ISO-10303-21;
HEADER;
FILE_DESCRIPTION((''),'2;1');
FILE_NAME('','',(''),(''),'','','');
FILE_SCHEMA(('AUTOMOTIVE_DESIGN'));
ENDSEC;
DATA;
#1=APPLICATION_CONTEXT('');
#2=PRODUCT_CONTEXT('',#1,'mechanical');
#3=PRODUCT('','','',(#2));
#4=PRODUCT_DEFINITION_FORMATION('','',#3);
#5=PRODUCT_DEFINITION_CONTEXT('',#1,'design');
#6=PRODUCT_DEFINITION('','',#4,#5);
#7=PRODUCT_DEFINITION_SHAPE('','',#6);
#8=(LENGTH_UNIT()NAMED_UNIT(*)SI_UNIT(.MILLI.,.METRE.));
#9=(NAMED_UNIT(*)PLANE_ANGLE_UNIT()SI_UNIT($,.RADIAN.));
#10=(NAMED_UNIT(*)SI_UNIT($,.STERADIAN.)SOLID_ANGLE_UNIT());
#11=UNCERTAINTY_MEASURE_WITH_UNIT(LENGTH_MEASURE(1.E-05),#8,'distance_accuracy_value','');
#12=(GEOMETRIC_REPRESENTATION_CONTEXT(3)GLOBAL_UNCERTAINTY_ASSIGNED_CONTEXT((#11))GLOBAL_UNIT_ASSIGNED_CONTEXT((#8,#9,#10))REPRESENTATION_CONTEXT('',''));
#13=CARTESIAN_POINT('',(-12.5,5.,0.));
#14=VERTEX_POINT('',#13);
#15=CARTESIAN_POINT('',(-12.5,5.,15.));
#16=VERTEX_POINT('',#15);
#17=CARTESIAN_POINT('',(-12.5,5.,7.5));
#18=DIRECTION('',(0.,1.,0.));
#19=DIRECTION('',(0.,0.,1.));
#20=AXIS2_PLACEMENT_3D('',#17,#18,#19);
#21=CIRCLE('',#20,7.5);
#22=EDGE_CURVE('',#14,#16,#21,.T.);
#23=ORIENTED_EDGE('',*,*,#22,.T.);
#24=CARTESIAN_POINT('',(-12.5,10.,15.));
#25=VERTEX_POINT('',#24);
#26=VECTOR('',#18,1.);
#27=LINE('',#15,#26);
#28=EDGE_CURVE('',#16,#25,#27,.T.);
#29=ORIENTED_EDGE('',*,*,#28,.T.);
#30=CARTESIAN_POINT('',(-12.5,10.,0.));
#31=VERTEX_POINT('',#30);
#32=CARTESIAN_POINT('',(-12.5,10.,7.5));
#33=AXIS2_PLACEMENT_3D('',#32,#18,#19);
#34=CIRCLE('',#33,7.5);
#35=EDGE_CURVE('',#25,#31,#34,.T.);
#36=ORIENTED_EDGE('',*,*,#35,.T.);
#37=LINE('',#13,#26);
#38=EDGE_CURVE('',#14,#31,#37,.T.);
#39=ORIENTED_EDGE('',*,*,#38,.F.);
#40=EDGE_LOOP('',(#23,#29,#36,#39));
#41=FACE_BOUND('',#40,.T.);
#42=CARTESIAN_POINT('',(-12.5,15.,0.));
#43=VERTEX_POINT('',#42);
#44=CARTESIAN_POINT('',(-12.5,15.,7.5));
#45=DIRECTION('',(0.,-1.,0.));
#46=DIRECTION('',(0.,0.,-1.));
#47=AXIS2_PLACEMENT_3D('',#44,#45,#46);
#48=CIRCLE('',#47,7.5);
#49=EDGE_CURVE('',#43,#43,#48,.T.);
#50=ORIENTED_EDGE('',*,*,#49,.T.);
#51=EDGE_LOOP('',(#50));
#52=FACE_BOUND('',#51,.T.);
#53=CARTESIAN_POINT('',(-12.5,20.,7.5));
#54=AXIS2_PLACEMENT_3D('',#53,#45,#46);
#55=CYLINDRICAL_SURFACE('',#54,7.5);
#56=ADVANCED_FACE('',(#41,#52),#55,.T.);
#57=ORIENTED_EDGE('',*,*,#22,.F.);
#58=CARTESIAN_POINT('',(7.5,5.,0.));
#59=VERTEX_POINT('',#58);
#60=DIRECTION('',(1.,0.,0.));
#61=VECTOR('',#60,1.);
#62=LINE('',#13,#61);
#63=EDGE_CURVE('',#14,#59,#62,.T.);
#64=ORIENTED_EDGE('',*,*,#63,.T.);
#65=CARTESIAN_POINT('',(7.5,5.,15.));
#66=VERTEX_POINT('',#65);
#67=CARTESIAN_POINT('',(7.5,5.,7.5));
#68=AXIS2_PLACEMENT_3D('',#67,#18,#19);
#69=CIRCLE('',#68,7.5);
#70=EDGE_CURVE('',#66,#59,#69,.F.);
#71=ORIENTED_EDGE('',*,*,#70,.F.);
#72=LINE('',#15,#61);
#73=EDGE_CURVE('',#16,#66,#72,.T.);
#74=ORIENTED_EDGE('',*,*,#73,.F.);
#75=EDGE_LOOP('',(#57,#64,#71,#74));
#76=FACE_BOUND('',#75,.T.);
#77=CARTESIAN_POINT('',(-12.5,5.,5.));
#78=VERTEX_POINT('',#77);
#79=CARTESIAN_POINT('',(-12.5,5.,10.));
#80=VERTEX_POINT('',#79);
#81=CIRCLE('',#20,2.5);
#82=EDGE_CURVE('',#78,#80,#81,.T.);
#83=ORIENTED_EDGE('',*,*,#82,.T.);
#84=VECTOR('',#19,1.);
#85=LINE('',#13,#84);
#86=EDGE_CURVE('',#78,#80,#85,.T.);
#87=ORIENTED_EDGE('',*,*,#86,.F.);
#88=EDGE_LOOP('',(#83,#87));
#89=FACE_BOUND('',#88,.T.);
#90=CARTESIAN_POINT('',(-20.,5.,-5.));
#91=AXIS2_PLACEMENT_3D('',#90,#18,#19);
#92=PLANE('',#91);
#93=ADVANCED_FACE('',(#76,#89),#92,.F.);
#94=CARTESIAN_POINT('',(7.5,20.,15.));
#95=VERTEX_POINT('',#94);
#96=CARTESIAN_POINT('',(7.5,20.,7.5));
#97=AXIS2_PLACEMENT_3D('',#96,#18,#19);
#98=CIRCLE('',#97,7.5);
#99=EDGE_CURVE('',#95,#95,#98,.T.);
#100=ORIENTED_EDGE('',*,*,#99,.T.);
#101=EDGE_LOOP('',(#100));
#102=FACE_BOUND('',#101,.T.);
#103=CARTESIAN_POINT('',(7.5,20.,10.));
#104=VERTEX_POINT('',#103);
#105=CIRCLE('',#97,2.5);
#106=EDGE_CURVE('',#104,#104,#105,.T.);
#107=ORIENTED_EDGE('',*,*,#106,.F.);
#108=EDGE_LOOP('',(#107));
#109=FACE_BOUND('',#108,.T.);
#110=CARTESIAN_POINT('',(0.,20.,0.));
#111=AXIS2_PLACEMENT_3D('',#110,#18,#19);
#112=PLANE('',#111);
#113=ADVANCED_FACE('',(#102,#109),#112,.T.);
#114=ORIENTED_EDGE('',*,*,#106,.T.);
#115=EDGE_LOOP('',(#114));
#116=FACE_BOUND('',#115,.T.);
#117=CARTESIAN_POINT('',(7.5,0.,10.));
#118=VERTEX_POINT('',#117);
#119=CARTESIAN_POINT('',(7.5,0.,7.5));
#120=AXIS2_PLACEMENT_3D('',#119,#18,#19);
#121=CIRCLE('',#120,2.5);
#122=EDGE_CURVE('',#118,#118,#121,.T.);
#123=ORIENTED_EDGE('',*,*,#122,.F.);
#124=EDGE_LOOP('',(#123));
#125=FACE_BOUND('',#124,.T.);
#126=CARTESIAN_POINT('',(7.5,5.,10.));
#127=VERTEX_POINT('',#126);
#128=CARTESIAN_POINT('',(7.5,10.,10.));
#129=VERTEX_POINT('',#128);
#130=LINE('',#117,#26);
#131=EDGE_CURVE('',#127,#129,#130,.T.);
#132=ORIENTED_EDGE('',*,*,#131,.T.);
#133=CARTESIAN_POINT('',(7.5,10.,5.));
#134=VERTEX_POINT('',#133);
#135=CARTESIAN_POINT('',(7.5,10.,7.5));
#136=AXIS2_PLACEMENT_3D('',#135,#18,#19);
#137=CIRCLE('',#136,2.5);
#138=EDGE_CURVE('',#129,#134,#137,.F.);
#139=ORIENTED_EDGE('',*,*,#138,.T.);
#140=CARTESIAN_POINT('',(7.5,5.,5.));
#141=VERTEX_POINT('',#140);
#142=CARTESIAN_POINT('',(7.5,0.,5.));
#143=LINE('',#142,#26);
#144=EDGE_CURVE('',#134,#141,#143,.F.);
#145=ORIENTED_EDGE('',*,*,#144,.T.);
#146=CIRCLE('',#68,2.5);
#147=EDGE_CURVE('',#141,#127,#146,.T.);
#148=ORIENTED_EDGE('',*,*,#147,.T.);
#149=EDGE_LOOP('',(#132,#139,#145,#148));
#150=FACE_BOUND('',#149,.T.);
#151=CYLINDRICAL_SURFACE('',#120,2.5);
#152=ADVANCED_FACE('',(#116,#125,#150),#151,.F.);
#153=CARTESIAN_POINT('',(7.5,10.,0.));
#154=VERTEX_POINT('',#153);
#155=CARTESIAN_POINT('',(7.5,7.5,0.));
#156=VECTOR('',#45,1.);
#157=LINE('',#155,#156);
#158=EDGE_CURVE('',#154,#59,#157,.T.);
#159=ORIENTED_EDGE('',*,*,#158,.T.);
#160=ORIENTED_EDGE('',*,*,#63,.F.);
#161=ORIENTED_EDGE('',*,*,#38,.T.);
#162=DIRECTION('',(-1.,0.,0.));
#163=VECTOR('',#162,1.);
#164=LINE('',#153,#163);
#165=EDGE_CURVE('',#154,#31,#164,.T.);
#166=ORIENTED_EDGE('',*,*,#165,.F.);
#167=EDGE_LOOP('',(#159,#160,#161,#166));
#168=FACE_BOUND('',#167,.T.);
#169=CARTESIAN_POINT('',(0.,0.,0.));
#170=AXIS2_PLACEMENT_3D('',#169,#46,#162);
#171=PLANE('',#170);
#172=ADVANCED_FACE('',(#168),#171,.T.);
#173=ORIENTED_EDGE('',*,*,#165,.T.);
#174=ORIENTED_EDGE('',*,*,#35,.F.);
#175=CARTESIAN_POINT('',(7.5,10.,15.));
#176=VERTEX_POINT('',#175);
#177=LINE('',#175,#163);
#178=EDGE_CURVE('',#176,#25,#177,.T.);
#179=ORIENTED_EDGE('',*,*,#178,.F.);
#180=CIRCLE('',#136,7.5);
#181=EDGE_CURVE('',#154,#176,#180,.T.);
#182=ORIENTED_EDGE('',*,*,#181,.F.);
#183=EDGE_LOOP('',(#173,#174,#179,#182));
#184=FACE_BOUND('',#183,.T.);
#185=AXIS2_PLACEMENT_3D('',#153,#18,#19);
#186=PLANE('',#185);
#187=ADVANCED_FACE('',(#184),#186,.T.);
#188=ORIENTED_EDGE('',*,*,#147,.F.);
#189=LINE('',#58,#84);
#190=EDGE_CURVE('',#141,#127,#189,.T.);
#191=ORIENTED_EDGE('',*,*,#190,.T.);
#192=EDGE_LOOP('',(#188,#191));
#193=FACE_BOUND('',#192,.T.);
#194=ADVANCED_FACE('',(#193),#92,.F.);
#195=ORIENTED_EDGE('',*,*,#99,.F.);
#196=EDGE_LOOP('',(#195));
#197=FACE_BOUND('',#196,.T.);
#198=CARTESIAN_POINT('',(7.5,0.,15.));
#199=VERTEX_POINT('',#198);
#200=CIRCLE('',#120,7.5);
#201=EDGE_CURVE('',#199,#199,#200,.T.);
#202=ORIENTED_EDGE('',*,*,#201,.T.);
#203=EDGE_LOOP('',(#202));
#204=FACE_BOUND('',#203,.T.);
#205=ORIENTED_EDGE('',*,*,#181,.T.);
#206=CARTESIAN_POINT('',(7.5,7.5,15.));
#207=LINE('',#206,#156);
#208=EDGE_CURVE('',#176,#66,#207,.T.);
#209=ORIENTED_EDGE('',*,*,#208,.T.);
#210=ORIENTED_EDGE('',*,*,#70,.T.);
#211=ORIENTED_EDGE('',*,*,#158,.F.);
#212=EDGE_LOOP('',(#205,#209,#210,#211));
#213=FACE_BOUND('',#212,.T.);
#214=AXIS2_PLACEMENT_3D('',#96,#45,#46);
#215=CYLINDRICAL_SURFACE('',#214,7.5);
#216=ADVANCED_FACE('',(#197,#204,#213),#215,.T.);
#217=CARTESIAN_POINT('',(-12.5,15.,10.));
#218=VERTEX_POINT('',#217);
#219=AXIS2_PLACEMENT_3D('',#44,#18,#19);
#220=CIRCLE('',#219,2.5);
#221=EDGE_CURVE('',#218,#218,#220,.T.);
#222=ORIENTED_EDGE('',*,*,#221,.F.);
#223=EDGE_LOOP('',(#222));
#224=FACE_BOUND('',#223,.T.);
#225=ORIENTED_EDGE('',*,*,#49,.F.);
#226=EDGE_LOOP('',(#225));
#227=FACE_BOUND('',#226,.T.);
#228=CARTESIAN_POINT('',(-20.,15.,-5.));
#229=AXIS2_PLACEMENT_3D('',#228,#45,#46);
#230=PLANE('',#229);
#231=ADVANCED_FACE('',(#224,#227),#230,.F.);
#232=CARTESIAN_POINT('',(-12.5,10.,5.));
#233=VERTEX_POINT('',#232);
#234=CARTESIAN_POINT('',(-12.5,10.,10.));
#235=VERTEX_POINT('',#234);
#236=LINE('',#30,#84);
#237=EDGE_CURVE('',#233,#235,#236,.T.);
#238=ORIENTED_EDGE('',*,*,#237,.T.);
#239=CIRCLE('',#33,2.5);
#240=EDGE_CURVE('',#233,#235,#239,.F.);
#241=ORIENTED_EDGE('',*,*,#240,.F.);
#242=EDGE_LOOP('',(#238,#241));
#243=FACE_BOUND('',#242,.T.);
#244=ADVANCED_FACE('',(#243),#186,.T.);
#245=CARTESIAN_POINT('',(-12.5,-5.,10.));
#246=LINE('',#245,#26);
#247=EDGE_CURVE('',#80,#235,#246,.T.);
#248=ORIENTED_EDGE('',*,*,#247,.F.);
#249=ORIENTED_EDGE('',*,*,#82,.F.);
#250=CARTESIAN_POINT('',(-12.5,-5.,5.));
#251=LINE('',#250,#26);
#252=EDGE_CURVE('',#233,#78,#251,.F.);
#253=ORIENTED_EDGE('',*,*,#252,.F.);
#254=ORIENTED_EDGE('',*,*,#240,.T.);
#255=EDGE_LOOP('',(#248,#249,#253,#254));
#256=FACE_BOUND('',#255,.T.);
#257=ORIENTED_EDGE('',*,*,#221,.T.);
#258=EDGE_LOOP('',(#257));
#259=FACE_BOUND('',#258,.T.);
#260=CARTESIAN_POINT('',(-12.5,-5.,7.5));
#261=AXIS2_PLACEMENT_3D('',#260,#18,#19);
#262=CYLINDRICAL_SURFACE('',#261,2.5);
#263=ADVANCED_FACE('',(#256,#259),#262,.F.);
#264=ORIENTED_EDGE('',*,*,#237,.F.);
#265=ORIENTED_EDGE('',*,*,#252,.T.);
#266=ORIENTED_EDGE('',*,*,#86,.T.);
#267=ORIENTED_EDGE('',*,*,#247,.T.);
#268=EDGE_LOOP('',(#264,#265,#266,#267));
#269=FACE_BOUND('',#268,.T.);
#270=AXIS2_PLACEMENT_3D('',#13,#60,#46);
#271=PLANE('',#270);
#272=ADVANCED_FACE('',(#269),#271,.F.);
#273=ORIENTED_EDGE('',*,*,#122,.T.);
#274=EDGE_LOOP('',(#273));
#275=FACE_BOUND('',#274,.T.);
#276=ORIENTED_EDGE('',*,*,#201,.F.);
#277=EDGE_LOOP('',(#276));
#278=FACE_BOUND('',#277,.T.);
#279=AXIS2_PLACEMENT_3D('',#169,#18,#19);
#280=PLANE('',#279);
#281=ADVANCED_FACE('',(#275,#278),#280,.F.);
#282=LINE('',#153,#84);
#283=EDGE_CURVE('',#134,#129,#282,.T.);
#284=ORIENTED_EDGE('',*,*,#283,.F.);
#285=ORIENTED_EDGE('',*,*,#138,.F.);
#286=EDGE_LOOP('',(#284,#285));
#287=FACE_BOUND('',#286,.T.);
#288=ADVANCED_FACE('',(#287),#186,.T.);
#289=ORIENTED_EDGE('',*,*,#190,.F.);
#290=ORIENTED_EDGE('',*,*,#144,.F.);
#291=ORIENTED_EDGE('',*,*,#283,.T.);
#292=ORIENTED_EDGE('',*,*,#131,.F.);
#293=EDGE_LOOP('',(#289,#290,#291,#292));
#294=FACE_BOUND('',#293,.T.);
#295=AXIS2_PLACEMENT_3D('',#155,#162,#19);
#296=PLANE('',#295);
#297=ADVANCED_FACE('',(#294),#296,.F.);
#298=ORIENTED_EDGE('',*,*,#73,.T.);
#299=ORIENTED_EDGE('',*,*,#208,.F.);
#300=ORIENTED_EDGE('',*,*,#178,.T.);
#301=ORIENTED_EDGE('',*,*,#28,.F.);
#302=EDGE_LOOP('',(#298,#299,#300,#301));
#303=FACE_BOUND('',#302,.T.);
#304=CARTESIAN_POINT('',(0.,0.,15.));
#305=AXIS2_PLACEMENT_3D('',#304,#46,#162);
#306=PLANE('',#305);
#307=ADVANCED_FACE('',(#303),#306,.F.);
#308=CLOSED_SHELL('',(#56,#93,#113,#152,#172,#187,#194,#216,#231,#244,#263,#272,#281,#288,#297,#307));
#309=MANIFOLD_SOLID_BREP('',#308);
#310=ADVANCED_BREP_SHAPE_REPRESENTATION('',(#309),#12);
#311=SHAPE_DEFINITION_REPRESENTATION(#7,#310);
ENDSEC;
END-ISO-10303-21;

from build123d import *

# Parameters (mm, degrees)
CROQUIS1_R                = 7.5
SALIENTE_EXTRUIR1_DEPTH   = 20
SALIENTE_EXTRUIR1_2_DEPTH = 20
CROQUIS2_W                = 15
CROQUIS2_H                = 5
CORTAR_EXTRUIR1_DEPTH     = 20
CROQUIS3_W                = 15
CROQUIS3_H                = 5
CORTAR_EXTRUIR2_DEPTH     = 20
CROQUIS4_R                = 2.5
CORTAR_EXTRUIR3_DEPTH     = 20
CROQUIS5_R                = 2.5
CORTAR_EXTRUIR4_DEPTH     = 20
CROQUIS6_W                = 20
CROQUIS6_H                = 2.5
EXTRUIR_L_MINA1_DEPTH     = 15


with BuildPart() as part:
    # Croquis1 → Saliente-Extruir1 (new body)
    with BuildSketch(Plane(origin=(0, 0, 0), x_dir=(1, 0, 0), z_dir=(0, 1, 0))):
        with Locations((7.5, -7.5)):
            Circle(CROQUIS1_R)
    extrude(amount=SALIENTE_EXTRUIR1_DEPTH)

    # Croquis5 → Cortar-Extruir4 (cut)
    with BuildSketch(Plane(origin=(0, 20, 0), x_dir=(1, 0, 0), z_dir=(0, 1, 0))):
        with Locations((7.5, -7.5)):
            Circle(CROQUIS5_R)
    extrude(amount=-CORTAR_EXTRUIR4_DEPTH, mode=Mode.SUBTRACT)



with BuildPart() as body_2:
    # Croquis1 → Saliente-Extruir1 2 (new body)
    with BuildSketch(Plane(origin=(0, 0, 0), x_dir=(1, 0, 0), z_dir=(0, 1, 0))):
        with Locations((-12.5, -7.5)):
            Circle(CROQUIS1_R)
    extrude(amount=SALIENTE_EXTRUIR1_2_DEPTH)

    # Croquis2 → Cortar-Extruir1 (cut)
    with BuildSketch(Plane.XY.offset(15)):
        with Locations((-12.5, 2.5)):
            Rectangle(CROQUIS2_W, CROQUIS2_H)
    extrude(amount=-CORTAR_EXTRUIR1_DEPTH, mode=Mode.SUBTRACT)

    # Croquis3 → Cortar-Extruir2 (cut)
    with BuildSketch(Plane.XY.offset(15)):
        with Locations((-12.5, 17.5)):
            Rectangle(CROQUIS3_W, CROQUIS3_H)
    extrude(amount=-CORTAR_EXTRUIR2_DEPTH, mode=Mode.SUBTRACT)

    # Croquis4 → Cortar-Extruir3 (cut)
    with BuildSketch(Plane(origin=(0, 15, 0), x_dir=(1, 0, 0), z_dir=(0, 1, 0))):
        with Locations((-12.5, -7.5)):
            Circle(CROQUIS4_R)
    extrude(amount=-CORTAR_EXTRUIR3_DEPTH, mode=Mode.SUBTRACT)


with BuildPart() as part_1:
    add(part.part)

    add(body_2.part)  # Extruir-Lámina1 merges body 2
    # Croquis6 → Extruir-Lámina1 (add)
    with BuildSketch(Plane.XY.offset(15)):
        with Locations((-2.5, 6.25)):
            Rectangle(CROQUIS6_W, CROQUIS6_H)
        with Locations((-2.5, 8.75)):
            Rectangle(CROQUIS6_W, CROQUIS6_H)
    extrude(amount=-EXTRUIR_L_MINA1_DEPTH)


solid = part_1.part
